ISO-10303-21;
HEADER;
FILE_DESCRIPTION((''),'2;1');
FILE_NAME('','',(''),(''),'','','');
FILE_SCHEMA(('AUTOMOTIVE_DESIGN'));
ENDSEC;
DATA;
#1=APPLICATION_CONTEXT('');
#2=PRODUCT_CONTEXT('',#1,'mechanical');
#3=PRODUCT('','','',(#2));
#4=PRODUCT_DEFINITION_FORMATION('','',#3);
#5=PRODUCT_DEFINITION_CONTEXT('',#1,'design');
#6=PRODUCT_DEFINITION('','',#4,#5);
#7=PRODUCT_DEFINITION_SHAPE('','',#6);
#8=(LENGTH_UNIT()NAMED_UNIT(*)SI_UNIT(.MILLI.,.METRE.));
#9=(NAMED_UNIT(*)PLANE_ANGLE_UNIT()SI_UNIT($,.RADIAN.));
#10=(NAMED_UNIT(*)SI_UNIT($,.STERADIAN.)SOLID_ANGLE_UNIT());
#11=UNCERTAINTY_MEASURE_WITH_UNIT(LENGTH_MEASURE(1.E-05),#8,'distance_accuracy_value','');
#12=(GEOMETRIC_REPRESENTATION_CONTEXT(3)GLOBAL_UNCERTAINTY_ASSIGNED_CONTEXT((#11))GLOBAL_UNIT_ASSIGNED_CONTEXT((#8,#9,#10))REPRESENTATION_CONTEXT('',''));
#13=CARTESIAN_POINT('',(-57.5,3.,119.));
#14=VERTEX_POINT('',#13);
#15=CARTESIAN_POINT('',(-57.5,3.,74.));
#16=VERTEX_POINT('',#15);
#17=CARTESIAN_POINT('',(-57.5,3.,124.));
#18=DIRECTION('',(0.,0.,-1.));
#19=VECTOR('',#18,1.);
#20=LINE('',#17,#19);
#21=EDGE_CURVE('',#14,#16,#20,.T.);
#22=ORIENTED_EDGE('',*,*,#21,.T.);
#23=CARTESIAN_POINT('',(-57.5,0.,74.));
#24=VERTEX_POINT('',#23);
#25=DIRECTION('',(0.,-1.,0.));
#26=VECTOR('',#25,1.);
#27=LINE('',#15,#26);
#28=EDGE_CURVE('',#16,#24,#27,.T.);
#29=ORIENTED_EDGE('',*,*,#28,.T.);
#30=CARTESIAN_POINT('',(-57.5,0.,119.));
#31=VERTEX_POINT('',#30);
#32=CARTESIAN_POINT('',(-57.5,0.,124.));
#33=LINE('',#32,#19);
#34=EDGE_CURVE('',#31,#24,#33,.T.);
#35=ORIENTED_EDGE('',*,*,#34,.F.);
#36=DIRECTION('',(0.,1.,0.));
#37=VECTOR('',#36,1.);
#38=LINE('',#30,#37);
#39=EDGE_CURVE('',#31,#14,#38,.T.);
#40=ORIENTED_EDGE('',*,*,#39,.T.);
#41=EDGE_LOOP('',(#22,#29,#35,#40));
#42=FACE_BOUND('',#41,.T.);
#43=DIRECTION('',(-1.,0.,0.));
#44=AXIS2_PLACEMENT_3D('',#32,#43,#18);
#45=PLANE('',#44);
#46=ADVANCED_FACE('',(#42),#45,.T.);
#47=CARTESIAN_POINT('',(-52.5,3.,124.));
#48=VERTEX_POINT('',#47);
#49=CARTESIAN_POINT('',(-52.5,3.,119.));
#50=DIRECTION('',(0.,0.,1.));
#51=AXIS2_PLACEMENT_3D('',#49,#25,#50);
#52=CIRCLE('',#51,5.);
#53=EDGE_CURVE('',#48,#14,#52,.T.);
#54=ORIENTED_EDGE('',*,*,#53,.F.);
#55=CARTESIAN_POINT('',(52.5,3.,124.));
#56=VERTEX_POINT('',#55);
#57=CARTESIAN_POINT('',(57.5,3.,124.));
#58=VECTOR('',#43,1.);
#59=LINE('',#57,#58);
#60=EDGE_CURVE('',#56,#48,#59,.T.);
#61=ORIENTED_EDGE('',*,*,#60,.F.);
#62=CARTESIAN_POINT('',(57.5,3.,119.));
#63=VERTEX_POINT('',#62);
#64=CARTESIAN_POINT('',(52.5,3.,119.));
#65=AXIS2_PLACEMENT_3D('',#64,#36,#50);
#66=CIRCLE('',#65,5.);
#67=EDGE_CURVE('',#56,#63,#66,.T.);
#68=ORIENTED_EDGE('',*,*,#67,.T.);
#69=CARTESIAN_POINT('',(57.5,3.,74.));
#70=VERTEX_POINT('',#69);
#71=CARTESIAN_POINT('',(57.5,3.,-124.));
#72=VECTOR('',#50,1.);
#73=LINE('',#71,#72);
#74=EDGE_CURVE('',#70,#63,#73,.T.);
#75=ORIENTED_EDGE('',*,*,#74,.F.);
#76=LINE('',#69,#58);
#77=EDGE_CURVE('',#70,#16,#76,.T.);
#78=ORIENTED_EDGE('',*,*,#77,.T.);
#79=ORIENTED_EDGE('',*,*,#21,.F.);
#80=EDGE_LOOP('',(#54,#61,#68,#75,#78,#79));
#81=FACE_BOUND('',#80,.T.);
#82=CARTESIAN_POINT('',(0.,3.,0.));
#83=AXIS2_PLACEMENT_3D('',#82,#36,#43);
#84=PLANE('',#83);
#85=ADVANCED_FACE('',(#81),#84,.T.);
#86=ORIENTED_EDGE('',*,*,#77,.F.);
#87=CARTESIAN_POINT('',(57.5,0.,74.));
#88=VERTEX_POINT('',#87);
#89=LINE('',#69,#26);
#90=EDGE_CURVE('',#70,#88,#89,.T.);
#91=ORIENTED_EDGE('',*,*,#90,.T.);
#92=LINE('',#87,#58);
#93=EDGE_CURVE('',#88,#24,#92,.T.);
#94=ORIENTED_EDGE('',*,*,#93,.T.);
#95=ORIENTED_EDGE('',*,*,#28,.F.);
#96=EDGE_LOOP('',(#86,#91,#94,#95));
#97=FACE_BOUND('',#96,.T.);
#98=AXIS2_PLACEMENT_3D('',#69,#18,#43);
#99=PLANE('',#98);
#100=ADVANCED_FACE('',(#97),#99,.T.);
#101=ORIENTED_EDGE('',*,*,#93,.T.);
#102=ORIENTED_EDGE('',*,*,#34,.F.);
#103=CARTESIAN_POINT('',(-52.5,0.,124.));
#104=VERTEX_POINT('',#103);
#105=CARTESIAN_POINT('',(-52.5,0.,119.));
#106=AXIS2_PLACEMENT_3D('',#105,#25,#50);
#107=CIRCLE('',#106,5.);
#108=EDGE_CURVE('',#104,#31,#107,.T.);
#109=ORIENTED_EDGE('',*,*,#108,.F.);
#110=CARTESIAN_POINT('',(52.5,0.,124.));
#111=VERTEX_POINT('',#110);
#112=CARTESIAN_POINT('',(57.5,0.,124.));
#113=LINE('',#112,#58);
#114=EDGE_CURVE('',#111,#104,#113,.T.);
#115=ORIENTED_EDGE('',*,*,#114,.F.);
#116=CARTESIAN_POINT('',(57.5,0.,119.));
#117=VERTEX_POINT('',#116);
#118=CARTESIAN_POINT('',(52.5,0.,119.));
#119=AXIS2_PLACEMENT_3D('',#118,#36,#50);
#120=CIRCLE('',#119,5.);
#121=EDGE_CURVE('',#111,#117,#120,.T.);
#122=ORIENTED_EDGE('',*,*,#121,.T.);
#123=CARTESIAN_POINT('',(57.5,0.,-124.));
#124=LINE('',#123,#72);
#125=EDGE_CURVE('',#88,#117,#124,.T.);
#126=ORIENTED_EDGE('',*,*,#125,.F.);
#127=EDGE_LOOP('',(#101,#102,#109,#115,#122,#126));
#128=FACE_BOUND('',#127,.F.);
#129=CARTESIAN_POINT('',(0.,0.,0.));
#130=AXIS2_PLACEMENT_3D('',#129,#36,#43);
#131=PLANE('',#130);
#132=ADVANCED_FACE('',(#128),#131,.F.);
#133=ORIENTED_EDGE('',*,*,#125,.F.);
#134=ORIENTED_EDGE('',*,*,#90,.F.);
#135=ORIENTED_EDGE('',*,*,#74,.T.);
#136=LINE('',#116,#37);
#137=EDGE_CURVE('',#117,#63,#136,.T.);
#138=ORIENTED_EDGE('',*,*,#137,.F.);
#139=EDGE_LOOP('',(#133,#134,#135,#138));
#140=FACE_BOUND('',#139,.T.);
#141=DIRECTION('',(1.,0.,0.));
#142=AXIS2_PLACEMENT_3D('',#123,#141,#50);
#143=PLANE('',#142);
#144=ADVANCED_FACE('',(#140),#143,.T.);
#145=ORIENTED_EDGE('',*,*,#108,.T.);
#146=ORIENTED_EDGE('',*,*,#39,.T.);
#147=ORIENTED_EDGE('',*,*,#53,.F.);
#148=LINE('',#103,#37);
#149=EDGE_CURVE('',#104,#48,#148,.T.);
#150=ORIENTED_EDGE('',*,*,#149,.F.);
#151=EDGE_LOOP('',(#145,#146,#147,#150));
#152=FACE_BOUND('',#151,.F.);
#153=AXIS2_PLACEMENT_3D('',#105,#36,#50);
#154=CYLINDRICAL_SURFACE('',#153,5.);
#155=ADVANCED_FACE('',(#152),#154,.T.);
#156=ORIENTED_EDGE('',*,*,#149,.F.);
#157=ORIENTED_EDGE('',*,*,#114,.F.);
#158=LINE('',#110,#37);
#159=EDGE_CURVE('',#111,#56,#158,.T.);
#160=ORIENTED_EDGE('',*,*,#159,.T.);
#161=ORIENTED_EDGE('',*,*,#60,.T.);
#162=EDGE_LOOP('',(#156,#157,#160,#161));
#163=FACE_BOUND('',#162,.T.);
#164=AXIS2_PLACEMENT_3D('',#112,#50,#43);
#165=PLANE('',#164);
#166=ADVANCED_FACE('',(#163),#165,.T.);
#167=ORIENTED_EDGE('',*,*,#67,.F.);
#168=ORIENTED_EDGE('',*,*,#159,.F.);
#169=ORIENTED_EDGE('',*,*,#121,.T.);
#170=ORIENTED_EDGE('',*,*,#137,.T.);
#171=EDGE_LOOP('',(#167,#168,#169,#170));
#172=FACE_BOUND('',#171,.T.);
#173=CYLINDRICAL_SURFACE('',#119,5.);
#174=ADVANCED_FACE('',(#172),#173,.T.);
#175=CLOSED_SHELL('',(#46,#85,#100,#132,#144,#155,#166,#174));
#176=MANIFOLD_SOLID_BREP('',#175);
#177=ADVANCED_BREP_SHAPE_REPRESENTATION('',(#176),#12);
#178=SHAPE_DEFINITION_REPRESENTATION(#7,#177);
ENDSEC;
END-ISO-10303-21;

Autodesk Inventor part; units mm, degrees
ref_plane "YZ Plane" through (0, 0, 0) normal (1, 0, 0) x (0, 1, 0)
ref_plane "XZ Plane" through (0, 0, 0) normal (0, 1, 0) x (-1, 0, 0)
ref_plane "XY Plane" through (0, 0, 0) normal (0, 0, 1) x (1, 0, 0)
sketch "Sketch1" plane through (0, 0, 0) normal (0, 1, 0) x (-1, 0, 0)
  line L0 (-57.5, 124) -> (57.5, 124)
  line L1 (57.5, 124) -> (57.5, -124)
  line L2 (57.5, -124) -> (-57.5, -124)
  line L3 (-57.5, -124) -> (-57.5, 124)
  line L4 (-57.5, 124) -> (57.5, -124) construction
  line L5 (57.5, 124) -> (-57.5, -124) construction
  point P0 (0, 0)
  dimension "d0" = 248
  dimension "d1" = 115
extrude "Extrusion1" add sketch "Sketch1" along normal blind 3
fillet "Fillet1" radius 5 4 edges at (57.5, 1.5, 124) (57.5, 1.5, -124) (-57.5, 1.5, 124) (-57.5, 1.5, -124)
sketch "Sketch2" plane through (0, 3, 0) normal (0, 1, 0) x (1, 0, 0)
  line L0 (-57.5, -124) -> (57.5, -124)
  line L1 (57.5, -124) -> (57.5, -74)
  line L2 (57.5, -74) -> (-57.5, -74)
  line L3 (-57.5, -74) -> (-57.5, -124)
  line L4 (-57.5, 119) -> (-57.5, -119) projected
  line L5 (57.5, -119) -> (57.5, 119) projected
  line L6 (-52.5, -124) -> (52.5, -124) projected
  point P0 (0, 0)
  dimension "d5" = 50
extrude "Extrusion2" cut sketch "Sketch2" against normal through all keep common part
properties part number "PMMA_lid"
